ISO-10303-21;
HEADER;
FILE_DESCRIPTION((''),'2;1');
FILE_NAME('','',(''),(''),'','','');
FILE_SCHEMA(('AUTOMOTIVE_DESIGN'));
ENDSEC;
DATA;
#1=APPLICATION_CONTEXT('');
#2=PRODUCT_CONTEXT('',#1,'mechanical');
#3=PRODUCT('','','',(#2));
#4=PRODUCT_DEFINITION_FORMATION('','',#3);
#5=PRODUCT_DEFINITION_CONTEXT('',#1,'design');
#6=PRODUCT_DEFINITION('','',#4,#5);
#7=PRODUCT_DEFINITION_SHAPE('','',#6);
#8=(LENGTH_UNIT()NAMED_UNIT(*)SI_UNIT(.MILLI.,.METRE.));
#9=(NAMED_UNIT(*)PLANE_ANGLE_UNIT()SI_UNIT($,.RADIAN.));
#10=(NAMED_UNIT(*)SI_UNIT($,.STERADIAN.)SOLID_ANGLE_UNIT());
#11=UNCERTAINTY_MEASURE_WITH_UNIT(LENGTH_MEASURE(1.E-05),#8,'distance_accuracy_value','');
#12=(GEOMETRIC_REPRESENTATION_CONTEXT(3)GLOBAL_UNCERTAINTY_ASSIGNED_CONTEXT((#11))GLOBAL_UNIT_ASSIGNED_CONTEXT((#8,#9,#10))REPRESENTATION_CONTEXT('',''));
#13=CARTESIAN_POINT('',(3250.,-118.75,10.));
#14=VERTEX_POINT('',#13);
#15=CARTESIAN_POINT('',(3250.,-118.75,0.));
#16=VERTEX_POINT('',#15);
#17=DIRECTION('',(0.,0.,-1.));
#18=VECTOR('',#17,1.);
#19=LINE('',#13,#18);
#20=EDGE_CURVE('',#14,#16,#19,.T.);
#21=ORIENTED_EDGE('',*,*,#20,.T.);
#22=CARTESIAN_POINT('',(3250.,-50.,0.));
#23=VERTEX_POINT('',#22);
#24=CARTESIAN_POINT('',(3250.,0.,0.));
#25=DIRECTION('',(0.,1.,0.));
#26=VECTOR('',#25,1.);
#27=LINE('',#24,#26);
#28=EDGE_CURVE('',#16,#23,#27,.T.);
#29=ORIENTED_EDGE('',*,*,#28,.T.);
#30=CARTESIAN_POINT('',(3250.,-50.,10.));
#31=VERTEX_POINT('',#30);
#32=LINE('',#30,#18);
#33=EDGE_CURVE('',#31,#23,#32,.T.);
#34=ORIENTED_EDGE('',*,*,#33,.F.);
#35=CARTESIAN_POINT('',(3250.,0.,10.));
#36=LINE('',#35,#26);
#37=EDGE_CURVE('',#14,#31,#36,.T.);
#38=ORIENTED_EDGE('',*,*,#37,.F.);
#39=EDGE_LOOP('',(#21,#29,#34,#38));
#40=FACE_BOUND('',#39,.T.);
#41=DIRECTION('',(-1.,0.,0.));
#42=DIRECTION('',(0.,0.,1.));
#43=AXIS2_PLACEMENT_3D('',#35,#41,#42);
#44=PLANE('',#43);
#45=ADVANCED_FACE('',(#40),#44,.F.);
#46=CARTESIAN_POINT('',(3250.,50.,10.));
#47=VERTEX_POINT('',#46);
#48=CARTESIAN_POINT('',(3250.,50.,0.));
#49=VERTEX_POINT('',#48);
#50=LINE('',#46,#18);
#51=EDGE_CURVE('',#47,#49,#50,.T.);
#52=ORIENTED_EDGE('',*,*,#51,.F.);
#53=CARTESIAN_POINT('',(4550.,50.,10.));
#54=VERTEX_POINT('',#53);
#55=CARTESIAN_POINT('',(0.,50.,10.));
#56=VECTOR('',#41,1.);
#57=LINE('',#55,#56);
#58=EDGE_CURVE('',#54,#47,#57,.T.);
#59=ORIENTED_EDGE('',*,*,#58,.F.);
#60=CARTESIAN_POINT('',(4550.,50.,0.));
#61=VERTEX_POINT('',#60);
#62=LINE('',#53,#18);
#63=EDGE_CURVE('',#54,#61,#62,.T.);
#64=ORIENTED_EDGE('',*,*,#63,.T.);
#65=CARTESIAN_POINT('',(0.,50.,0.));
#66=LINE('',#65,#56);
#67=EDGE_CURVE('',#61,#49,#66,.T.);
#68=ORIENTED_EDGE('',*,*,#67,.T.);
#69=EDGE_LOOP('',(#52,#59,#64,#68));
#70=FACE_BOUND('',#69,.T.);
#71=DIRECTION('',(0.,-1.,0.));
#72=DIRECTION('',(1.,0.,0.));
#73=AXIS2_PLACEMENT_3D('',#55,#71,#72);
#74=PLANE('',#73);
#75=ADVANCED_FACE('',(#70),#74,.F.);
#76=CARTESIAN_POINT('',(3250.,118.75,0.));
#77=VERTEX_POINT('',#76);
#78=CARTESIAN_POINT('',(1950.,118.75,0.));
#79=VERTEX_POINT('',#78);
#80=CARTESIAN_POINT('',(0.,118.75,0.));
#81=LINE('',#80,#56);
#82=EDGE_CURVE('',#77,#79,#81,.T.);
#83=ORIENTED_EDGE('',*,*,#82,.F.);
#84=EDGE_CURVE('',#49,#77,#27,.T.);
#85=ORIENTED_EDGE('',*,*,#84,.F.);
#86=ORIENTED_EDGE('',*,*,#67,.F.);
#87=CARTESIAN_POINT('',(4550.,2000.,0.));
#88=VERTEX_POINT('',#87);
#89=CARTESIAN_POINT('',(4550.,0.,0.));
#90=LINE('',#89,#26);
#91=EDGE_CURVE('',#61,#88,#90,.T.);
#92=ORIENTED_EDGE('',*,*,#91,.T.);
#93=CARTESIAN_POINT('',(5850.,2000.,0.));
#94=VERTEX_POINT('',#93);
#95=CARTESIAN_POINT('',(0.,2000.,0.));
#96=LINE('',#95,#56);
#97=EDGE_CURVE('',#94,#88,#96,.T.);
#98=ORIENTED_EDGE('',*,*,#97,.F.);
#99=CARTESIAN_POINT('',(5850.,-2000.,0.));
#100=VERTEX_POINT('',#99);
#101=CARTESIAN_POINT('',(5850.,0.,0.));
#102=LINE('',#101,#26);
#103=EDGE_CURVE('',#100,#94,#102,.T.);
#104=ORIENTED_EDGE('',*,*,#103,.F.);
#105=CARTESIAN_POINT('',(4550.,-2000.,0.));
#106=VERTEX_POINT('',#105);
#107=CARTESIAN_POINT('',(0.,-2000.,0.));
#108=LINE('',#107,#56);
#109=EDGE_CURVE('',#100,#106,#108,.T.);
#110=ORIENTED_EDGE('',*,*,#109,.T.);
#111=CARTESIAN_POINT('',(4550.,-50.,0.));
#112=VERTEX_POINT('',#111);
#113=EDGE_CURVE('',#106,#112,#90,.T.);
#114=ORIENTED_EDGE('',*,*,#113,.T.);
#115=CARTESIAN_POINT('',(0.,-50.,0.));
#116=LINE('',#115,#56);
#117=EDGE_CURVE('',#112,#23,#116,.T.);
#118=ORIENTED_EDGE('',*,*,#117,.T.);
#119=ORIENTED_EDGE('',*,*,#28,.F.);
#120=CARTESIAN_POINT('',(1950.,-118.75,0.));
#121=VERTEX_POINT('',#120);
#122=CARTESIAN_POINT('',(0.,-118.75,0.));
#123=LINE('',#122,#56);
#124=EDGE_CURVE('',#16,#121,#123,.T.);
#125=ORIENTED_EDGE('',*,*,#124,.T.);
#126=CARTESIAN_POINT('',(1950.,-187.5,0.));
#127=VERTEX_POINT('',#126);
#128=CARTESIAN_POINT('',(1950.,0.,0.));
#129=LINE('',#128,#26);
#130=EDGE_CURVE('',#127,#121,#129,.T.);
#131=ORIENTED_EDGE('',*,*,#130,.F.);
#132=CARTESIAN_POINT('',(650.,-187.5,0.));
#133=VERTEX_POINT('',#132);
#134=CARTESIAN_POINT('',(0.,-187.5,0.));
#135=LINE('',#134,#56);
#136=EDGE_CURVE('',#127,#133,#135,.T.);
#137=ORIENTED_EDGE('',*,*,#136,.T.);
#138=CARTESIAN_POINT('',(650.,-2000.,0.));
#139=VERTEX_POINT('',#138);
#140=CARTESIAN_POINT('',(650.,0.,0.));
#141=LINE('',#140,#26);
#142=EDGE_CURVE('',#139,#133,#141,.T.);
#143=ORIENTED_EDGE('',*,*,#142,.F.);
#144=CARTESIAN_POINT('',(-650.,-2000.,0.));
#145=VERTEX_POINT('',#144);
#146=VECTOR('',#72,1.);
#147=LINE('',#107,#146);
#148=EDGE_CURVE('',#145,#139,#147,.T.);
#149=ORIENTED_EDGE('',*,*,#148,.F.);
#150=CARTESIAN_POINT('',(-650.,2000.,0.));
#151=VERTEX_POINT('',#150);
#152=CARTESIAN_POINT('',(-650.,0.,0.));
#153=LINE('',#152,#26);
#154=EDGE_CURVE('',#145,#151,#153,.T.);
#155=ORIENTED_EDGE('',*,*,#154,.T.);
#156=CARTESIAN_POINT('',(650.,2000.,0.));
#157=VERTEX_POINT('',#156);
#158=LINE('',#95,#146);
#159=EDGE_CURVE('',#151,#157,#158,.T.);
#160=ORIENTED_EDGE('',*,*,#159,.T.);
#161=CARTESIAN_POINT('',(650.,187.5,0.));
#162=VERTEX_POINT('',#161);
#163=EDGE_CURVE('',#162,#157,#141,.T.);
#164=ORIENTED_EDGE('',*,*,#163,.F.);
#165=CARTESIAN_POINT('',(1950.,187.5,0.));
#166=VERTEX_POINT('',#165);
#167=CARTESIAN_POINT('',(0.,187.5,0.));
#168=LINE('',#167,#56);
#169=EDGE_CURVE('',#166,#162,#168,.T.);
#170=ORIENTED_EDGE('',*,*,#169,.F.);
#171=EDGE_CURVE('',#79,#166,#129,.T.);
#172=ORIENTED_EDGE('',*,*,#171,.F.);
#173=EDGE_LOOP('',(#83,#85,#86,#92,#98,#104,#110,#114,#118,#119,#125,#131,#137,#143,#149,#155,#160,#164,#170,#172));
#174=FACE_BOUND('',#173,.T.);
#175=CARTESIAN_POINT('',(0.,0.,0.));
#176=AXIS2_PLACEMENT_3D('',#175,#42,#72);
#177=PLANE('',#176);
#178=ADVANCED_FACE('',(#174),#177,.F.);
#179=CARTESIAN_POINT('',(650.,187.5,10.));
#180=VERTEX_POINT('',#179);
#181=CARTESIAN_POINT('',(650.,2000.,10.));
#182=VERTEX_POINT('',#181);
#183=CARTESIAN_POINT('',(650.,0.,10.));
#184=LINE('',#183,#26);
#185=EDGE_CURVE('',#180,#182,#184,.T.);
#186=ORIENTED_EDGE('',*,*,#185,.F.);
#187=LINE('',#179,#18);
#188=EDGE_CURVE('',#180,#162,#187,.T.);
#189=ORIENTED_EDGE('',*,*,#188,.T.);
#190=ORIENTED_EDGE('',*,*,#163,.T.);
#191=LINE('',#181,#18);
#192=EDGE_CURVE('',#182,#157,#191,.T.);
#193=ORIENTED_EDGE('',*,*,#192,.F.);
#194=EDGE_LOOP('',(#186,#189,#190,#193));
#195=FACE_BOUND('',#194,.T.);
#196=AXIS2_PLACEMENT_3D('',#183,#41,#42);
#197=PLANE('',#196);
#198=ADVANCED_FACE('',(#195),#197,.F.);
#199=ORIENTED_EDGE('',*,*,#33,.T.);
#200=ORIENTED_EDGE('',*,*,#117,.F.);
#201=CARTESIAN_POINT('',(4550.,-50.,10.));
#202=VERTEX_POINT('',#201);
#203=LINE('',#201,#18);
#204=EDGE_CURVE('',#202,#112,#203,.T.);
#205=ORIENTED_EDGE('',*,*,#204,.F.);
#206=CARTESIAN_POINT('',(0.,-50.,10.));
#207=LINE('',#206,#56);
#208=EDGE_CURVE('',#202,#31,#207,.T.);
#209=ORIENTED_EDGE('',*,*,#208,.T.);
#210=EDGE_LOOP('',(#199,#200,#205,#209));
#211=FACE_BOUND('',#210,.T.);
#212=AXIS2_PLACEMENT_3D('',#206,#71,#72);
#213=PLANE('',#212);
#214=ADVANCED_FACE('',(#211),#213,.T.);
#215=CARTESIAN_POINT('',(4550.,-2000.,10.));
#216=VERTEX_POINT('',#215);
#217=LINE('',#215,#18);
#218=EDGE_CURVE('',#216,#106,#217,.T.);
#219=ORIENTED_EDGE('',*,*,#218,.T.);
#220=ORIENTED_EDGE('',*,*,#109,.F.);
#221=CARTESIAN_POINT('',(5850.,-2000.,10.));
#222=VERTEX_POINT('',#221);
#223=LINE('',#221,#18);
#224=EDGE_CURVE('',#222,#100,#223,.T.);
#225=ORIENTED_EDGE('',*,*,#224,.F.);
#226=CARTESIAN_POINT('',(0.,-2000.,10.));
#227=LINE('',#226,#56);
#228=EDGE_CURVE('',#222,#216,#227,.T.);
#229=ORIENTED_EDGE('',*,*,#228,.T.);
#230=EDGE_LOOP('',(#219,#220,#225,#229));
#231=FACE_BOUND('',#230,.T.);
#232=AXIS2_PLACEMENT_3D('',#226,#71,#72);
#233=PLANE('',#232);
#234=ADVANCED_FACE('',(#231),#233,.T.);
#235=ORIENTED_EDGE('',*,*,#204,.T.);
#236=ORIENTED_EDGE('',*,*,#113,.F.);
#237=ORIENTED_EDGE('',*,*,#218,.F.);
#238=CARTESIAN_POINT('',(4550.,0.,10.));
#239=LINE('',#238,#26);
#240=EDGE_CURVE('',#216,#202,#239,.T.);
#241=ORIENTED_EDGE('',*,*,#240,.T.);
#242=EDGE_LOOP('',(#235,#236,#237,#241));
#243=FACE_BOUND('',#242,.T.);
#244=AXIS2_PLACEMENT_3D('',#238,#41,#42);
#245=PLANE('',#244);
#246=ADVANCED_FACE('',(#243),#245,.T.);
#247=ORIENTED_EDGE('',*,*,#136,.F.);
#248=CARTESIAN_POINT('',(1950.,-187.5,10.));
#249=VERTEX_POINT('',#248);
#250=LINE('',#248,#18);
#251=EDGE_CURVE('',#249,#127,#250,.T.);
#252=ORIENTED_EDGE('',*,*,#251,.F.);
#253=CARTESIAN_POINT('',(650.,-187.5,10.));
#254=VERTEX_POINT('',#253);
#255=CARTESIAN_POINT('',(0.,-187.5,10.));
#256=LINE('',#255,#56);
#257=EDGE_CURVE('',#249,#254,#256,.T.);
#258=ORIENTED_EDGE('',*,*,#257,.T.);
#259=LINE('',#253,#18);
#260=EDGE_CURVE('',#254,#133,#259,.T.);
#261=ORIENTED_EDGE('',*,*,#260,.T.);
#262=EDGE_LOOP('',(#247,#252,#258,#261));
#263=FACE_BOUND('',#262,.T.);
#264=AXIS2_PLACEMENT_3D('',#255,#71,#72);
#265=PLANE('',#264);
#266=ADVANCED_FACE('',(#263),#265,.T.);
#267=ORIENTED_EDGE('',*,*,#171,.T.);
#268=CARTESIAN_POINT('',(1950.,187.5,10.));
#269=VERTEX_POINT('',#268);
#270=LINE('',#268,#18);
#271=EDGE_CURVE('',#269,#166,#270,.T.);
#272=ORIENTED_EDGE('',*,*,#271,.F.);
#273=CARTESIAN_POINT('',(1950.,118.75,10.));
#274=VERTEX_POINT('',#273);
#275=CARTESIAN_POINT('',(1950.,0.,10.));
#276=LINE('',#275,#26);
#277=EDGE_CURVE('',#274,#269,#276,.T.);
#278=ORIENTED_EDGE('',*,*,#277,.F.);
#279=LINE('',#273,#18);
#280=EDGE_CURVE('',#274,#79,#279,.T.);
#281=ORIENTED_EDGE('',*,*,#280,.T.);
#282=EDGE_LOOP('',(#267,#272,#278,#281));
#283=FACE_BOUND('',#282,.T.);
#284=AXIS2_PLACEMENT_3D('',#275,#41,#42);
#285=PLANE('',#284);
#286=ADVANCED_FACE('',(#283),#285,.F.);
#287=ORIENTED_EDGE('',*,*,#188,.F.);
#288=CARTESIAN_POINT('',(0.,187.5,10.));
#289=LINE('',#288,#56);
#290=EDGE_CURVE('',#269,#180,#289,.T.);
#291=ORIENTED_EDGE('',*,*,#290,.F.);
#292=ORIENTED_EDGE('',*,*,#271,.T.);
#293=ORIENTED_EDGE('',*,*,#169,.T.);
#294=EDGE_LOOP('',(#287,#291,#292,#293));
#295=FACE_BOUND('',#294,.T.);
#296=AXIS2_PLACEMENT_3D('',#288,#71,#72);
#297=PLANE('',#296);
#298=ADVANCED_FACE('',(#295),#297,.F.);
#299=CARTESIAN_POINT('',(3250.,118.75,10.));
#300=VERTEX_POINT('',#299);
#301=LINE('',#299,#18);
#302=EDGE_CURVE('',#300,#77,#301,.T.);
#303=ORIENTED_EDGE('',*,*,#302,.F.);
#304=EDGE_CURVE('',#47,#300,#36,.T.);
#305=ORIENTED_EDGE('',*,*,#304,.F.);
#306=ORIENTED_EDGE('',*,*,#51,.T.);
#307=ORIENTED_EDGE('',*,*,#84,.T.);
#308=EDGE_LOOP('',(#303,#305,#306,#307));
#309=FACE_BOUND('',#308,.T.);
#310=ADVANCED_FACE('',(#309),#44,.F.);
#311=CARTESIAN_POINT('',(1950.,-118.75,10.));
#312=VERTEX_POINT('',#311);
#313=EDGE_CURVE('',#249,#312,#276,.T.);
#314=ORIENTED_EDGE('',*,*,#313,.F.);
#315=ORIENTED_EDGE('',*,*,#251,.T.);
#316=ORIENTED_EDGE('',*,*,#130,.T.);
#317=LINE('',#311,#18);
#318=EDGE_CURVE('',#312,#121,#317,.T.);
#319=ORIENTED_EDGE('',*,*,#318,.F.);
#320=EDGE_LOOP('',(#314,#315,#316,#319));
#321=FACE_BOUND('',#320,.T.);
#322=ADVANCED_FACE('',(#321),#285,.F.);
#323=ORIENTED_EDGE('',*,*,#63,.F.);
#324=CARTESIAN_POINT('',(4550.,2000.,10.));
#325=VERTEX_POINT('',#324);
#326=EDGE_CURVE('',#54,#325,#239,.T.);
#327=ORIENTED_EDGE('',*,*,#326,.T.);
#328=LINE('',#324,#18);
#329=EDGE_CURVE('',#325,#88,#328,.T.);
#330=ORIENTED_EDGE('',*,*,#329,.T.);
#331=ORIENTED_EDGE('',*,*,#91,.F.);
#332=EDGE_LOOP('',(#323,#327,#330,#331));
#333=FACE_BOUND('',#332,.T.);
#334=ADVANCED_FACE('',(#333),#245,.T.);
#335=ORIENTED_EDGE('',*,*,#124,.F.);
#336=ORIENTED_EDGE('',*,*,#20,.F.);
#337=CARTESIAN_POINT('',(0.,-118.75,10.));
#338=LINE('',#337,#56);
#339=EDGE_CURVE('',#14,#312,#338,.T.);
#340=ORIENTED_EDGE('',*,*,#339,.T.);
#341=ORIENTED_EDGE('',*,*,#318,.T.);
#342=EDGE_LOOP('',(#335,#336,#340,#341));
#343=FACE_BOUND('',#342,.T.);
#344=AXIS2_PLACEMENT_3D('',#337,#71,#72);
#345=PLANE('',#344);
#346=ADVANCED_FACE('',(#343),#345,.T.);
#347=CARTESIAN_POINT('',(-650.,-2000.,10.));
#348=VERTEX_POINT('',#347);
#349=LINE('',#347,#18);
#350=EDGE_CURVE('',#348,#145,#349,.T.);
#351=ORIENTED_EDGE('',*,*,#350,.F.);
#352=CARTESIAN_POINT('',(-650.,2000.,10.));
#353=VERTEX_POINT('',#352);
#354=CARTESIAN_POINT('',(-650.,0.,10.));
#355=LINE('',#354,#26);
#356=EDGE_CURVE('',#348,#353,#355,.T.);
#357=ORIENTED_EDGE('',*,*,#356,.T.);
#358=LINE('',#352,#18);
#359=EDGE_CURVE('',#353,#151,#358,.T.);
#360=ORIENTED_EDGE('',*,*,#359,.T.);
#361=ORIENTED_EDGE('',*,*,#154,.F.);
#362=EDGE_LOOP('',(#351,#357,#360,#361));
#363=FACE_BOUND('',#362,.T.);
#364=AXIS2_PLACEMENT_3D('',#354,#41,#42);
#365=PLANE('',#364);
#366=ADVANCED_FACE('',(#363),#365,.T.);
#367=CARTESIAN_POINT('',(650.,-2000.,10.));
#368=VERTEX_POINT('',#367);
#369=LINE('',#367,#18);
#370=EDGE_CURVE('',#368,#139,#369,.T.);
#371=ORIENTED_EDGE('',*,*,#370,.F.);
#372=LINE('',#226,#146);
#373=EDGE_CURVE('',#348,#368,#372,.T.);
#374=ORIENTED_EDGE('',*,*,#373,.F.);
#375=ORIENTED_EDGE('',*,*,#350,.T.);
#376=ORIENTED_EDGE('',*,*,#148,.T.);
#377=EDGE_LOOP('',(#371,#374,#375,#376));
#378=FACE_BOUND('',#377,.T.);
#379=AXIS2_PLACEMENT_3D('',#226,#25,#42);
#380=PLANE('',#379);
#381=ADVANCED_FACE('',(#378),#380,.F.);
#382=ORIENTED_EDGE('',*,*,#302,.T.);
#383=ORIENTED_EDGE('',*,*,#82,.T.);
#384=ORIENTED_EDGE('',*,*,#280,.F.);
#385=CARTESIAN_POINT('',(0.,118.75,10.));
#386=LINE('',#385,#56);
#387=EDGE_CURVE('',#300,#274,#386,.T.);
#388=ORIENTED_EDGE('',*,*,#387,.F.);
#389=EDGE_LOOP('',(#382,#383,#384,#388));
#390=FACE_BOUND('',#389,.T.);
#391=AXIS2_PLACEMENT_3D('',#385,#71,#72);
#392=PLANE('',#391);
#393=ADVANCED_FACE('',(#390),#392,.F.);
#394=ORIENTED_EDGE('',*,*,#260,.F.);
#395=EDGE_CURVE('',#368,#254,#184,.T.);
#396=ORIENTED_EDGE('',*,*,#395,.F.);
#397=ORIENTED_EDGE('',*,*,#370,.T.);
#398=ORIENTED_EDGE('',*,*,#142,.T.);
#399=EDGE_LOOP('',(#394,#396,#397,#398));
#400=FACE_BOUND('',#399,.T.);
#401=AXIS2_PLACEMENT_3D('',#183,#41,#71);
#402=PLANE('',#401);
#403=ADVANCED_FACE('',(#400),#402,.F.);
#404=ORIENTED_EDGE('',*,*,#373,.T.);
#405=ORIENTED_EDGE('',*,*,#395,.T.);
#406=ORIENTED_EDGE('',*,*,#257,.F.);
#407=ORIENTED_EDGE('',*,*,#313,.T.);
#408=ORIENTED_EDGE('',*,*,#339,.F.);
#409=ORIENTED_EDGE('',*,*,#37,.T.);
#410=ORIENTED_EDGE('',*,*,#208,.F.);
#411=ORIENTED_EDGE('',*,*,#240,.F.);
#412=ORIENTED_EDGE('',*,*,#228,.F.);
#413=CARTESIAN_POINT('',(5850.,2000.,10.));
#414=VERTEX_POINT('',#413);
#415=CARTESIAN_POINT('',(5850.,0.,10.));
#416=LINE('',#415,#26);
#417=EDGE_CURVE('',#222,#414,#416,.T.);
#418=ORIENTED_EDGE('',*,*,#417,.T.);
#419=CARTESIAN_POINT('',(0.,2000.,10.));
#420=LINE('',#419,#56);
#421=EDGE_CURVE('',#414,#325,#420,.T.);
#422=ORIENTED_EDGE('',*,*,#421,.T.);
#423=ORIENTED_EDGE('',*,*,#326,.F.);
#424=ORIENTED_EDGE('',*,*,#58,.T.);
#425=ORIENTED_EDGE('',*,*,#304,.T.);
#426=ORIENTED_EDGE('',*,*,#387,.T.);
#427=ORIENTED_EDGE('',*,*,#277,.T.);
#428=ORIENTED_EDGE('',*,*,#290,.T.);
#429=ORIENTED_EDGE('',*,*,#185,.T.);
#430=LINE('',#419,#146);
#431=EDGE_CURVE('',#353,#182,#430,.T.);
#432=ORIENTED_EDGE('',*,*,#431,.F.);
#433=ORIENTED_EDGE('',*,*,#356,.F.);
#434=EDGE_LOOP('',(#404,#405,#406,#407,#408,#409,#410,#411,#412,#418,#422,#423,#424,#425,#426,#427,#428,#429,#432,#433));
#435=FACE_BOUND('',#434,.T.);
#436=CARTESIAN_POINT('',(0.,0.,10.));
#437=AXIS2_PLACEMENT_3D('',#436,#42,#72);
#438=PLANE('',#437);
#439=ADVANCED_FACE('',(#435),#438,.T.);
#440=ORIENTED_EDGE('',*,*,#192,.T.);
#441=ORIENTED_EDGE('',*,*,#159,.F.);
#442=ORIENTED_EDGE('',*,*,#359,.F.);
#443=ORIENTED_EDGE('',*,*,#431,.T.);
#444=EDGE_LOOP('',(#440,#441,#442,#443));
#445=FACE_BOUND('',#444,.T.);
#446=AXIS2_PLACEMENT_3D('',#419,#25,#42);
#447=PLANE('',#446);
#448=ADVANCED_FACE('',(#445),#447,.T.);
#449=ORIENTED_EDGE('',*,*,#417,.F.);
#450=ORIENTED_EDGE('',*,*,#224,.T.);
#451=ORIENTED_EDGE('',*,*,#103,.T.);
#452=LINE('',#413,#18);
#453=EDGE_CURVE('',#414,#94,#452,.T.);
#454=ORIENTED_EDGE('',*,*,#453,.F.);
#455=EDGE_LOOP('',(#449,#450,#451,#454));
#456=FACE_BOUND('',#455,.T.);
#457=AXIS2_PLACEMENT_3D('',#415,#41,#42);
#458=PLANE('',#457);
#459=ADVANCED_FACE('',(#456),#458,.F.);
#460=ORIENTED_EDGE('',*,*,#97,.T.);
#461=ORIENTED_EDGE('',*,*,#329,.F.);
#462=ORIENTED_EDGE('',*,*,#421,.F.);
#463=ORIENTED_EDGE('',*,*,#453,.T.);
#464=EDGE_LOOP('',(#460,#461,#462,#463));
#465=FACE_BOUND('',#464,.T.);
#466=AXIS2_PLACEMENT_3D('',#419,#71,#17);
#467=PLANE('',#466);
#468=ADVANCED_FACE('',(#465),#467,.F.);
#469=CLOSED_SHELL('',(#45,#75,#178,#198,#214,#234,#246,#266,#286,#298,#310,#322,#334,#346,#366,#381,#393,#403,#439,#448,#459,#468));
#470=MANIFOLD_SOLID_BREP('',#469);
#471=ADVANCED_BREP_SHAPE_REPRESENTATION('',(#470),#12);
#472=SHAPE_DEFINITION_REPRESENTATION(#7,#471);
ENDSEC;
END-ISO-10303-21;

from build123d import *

# Parameters (mm, degrees)
BOSS_EXTRUDE1_DEPTH = 10


with BuildPart() as part:
    # Sketch1 → Boss-Extrude1 (new body)
    with BuildSketch(Plane.XY):
        Polygon((-650, -2000), (650, -2000), (650, -187.5), (1950, -187.5), (1950, -118.75), (3250, -118.75), (3250, -50), (4550, -50), (4550, -2000), (5850, -2000), (5850, 2000), (4550, 2000), (4550, 50), (3250, 50), (3250, 118.75), (1950, 118.75), (1950, 187.5), (650, 187.5), (650, 2000), (-650, 2000), align=None)
    extrude(amount=BOSS_EXTRUDE1_DEPTH)


solid = part.part
